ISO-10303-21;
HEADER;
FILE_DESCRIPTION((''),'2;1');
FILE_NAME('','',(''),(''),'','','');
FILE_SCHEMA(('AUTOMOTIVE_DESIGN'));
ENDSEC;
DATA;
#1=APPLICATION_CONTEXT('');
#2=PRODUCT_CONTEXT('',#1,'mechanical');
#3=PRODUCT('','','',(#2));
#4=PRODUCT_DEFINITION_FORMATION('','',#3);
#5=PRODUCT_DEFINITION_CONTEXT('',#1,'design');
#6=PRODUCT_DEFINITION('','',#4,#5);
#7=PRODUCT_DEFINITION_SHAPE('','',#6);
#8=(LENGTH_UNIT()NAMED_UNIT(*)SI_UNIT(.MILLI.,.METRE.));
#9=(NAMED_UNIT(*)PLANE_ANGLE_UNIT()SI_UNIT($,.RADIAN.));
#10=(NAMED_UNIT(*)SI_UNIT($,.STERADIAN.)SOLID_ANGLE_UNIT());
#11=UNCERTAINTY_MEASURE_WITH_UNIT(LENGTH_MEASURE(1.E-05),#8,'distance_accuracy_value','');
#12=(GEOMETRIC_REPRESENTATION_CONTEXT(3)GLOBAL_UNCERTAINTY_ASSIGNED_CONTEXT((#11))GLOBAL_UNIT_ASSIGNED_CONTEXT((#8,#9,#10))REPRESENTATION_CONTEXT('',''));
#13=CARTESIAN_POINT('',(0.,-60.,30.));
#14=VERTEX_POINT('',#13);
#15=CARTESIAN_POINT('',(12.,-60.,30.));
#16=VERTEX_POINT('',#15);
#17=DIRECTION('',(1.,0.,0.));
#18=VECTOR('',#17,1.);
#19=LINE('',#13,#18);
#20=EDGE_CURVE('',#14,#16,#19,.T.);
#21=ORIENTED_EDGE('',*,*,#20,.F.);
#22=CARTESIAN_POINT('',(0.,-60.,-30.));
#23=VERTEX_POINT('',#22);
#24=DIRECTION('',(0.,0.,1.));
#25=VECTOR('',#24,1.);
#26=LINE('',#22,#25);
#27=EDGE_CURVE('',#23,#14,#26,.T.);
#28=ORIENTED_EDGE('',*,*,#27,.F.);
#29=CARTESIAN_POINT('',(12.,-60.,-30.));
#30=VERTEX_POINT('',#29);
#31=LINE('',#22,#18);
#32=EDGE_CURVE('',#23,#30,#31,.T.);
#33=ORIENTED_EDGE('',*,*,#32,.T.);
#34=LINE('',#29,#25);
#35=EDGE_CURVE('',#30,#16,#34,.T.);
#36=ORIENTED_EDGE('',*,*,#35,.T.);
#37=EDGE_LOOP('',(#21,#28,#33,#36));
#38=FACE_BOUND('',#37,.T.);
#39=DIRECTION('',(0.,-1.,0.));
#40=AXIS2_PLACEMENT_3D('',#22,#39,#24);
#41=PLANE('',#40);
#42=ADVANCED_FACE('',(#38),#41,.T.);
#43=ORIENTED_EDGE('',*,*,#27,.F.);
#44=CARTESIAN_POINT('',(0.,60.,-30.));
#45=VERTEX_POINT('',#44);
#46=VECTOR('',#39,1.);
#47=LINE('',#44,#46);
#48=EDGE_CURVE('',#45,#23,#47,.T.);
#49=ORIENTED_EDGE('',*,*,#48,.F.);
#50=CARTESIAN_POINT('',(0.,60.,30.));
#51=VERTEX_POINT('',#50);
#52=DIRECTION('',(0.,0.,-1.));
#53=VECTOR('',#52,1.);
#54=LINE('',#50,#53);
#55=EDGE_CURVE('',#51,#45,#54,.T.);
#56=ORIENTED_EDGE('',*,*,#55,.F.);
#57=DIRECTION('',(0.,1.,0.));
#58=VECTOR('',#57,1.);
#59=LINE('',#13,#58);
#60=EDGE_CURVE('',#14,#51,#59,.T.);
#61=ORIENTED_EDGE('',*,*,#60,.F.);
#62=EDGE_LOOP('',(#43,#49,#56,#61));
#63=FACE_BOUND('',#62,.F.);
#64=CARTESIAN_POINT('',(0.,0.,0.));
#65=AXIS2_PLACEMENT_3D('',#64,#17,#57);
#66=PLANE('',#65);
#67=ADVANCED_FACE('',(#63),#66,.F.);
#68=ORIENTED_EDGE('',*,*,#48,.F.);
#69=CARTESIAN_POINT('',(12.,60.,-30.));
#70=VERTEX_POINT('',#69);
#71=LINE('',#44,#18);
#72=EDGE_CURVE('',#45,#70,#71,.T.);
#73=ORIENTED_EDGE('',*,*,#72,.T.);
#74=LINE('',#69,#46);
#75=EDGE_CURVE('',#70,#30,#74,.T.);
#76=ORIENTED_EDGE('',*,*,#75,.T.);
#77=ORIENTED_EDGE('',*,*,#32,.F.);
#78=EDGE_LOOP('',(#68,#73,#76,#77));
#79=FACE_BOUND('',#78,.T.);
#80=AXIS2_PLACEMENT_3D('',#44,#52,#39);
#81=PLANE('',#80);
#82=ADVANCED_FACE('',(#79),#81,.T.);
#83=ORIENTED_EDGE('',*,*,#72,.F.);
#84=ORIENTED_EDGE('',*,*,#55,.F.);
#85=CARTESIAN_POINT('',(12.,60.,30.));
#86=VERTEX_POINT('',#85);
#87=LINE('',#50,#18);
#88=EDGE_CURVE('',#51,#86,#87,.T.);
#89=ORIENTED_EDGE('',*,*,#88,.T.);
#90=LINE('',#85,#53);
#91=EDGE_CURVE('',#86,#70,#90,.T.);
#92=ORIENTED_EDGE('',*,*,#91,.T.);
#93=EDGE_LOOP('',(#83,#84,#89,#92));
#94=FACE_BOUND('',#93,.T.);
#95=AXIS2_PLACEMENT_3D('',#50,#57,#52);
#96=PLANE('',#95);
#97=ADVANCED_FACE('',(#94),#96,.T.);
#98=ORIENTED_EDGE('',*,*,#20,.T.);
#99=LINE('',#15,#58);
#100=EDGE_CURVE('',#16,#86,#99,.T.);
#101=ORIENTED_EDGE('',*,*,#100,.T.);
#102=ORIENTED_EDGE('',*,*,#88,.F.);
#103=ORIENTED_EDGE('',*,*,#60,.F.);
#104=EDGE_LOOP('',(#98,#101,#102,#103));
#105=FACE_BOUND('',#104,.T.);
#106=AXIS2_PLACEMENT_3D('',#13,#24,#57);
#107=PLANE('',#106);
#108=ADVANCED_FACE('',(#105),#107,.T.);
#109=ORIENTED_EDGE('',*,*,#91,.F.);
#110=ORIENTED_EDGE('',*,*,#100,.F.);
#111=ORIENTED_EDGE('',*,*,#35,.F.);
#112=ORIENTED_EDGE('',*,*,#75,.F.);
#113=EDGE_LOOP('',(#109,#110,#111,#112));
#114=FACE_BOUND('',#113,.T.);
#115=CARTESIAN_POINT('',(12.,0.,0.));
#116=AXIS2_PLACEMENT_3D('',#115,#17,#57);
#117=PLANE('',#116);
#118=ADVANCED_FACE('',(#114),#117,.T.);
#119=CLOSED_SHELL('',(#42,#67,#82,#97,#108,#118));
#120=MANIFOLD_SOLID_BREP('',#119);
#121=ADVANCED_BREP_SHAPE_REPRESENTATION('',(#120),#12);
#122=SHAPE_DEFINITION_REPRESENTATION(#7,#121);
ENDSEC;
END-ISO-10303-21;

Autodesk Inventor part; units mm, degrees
ref_plane "YZ Plane" through (0, 0, 0) normal (1, 0, 0) x (0, 1, 0)
ref_plane "XZ Plane" through (0, 0, 0) normal (0, 1, 0) x (-1, 0, 0)
ref_plane "XY Plane" through (0, 0, 0) normal (0, 0, 1) x (1, 0, 0)
sketch "草圖1" plane through (0, 0, 0) normal (1, 0, 0) x (0, 1, 0)
  line L0 (-60, 30) -> (60, 30)
  line L1 (60, 30) -> (60, -30)
  line L2 (60, -30) -> (-60, -30)
  line L3 (-60, -30) -> (-60, 30)
  line L4 (-60, 30) -> (60, -30) construction
  line L5 (60, 30) -> (-60, -30) construction
  point P0 (0, 0)
  dimension "d0" = 120
  dimension "d1" = 60
extrude "擠出1" add sketch "草圖1" along normal blind 12
properties part number "exercise3-7"
